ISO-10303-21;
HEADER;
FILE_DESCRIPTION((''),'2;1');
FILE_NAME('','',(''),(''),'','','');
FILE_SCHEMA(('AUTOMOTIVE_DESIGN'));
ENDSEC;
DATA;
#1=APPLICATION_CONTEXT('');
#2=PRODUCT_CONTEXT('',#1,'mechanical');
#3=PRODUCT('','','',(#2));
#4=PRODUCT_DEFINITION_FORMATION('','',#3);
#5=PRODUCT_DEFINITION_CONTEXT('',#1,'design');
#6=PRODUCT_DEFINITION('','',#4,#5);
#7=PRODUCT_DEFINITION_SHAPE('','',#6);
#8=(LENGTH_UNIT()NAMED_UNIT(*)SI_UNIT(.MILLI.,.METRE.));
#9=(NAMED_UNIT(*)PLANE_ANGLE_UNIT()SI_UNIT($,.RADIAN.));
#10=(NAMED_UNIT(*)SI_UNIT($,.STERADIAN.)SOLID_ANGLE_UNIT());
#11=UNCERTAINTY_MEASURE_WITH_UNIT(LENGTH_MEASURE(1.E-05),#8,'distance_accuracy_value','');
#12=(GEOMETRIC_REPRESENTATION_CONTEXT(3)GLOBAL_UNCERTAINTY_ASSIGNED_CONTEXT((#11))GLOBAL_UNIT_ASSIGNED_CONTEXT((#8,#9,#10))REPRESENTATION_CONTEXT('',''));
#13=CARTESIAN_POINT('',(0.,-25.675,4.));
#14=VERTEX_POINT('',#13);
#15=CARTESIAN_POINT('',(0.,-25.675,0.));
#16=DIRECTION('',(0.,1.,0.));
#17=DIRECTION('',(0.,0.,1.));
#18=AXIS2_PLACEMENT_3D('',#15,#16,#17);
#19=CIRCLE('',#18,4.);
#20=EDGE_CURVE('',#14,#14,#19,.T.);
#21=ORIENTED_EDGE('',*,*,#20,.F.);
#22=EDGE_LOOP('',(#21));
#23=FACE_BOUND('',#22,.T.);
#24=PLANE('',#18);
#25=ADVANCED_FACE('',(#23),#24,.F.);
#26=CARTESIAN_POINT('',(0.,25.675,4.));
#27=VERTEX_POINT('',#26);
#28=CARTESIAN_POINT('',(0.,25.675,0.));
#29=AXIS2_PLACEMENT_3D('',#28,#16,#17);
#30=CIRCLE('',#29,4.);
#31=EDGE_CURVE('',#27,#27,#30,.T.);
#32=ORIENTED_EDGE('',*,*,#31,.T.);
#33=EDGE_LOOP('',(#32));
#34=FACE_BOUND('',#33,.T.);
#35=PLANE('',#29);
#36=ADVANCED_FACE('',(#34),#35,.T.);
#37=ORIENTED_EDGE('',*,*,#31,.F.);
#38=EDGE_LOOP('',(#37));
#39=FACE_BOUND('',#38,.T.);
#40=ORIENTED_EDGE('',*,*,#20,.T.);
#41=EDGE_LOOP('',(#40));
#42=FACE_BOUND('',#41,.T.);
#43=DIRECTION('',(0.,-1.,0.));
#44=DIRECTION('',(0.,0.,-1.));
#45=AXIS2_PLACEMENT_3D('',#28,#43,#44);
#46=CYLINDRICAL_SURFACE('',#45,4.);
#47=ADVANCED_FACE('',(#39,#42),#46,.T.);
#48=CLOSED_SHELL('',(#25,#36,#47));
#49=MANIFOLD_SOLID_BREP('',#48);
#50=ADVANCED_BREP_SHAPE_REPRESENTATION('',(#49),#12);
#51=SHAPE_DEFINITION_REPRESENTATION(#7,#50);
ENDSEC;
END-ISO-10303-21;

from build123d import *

# Parameters (mm, degrees)
SKETCH1_R           = 4
BOSS_EXTRUDE1_DEPTH = 25.675


with BuildPart() as part:
    # Sketch1 → Boss-Extrude1 (new body, symmetric)
    with BuildSketch(Plane(origin=(0, 0, 0), x_dir=(1, 0, 0), z_dir=(0, 1, 0))):
        Circle(SKETCH1_R)
    extrude(amount=BOSS_EXTRUDE1_DEPTH, both=True)


solid = part.part
